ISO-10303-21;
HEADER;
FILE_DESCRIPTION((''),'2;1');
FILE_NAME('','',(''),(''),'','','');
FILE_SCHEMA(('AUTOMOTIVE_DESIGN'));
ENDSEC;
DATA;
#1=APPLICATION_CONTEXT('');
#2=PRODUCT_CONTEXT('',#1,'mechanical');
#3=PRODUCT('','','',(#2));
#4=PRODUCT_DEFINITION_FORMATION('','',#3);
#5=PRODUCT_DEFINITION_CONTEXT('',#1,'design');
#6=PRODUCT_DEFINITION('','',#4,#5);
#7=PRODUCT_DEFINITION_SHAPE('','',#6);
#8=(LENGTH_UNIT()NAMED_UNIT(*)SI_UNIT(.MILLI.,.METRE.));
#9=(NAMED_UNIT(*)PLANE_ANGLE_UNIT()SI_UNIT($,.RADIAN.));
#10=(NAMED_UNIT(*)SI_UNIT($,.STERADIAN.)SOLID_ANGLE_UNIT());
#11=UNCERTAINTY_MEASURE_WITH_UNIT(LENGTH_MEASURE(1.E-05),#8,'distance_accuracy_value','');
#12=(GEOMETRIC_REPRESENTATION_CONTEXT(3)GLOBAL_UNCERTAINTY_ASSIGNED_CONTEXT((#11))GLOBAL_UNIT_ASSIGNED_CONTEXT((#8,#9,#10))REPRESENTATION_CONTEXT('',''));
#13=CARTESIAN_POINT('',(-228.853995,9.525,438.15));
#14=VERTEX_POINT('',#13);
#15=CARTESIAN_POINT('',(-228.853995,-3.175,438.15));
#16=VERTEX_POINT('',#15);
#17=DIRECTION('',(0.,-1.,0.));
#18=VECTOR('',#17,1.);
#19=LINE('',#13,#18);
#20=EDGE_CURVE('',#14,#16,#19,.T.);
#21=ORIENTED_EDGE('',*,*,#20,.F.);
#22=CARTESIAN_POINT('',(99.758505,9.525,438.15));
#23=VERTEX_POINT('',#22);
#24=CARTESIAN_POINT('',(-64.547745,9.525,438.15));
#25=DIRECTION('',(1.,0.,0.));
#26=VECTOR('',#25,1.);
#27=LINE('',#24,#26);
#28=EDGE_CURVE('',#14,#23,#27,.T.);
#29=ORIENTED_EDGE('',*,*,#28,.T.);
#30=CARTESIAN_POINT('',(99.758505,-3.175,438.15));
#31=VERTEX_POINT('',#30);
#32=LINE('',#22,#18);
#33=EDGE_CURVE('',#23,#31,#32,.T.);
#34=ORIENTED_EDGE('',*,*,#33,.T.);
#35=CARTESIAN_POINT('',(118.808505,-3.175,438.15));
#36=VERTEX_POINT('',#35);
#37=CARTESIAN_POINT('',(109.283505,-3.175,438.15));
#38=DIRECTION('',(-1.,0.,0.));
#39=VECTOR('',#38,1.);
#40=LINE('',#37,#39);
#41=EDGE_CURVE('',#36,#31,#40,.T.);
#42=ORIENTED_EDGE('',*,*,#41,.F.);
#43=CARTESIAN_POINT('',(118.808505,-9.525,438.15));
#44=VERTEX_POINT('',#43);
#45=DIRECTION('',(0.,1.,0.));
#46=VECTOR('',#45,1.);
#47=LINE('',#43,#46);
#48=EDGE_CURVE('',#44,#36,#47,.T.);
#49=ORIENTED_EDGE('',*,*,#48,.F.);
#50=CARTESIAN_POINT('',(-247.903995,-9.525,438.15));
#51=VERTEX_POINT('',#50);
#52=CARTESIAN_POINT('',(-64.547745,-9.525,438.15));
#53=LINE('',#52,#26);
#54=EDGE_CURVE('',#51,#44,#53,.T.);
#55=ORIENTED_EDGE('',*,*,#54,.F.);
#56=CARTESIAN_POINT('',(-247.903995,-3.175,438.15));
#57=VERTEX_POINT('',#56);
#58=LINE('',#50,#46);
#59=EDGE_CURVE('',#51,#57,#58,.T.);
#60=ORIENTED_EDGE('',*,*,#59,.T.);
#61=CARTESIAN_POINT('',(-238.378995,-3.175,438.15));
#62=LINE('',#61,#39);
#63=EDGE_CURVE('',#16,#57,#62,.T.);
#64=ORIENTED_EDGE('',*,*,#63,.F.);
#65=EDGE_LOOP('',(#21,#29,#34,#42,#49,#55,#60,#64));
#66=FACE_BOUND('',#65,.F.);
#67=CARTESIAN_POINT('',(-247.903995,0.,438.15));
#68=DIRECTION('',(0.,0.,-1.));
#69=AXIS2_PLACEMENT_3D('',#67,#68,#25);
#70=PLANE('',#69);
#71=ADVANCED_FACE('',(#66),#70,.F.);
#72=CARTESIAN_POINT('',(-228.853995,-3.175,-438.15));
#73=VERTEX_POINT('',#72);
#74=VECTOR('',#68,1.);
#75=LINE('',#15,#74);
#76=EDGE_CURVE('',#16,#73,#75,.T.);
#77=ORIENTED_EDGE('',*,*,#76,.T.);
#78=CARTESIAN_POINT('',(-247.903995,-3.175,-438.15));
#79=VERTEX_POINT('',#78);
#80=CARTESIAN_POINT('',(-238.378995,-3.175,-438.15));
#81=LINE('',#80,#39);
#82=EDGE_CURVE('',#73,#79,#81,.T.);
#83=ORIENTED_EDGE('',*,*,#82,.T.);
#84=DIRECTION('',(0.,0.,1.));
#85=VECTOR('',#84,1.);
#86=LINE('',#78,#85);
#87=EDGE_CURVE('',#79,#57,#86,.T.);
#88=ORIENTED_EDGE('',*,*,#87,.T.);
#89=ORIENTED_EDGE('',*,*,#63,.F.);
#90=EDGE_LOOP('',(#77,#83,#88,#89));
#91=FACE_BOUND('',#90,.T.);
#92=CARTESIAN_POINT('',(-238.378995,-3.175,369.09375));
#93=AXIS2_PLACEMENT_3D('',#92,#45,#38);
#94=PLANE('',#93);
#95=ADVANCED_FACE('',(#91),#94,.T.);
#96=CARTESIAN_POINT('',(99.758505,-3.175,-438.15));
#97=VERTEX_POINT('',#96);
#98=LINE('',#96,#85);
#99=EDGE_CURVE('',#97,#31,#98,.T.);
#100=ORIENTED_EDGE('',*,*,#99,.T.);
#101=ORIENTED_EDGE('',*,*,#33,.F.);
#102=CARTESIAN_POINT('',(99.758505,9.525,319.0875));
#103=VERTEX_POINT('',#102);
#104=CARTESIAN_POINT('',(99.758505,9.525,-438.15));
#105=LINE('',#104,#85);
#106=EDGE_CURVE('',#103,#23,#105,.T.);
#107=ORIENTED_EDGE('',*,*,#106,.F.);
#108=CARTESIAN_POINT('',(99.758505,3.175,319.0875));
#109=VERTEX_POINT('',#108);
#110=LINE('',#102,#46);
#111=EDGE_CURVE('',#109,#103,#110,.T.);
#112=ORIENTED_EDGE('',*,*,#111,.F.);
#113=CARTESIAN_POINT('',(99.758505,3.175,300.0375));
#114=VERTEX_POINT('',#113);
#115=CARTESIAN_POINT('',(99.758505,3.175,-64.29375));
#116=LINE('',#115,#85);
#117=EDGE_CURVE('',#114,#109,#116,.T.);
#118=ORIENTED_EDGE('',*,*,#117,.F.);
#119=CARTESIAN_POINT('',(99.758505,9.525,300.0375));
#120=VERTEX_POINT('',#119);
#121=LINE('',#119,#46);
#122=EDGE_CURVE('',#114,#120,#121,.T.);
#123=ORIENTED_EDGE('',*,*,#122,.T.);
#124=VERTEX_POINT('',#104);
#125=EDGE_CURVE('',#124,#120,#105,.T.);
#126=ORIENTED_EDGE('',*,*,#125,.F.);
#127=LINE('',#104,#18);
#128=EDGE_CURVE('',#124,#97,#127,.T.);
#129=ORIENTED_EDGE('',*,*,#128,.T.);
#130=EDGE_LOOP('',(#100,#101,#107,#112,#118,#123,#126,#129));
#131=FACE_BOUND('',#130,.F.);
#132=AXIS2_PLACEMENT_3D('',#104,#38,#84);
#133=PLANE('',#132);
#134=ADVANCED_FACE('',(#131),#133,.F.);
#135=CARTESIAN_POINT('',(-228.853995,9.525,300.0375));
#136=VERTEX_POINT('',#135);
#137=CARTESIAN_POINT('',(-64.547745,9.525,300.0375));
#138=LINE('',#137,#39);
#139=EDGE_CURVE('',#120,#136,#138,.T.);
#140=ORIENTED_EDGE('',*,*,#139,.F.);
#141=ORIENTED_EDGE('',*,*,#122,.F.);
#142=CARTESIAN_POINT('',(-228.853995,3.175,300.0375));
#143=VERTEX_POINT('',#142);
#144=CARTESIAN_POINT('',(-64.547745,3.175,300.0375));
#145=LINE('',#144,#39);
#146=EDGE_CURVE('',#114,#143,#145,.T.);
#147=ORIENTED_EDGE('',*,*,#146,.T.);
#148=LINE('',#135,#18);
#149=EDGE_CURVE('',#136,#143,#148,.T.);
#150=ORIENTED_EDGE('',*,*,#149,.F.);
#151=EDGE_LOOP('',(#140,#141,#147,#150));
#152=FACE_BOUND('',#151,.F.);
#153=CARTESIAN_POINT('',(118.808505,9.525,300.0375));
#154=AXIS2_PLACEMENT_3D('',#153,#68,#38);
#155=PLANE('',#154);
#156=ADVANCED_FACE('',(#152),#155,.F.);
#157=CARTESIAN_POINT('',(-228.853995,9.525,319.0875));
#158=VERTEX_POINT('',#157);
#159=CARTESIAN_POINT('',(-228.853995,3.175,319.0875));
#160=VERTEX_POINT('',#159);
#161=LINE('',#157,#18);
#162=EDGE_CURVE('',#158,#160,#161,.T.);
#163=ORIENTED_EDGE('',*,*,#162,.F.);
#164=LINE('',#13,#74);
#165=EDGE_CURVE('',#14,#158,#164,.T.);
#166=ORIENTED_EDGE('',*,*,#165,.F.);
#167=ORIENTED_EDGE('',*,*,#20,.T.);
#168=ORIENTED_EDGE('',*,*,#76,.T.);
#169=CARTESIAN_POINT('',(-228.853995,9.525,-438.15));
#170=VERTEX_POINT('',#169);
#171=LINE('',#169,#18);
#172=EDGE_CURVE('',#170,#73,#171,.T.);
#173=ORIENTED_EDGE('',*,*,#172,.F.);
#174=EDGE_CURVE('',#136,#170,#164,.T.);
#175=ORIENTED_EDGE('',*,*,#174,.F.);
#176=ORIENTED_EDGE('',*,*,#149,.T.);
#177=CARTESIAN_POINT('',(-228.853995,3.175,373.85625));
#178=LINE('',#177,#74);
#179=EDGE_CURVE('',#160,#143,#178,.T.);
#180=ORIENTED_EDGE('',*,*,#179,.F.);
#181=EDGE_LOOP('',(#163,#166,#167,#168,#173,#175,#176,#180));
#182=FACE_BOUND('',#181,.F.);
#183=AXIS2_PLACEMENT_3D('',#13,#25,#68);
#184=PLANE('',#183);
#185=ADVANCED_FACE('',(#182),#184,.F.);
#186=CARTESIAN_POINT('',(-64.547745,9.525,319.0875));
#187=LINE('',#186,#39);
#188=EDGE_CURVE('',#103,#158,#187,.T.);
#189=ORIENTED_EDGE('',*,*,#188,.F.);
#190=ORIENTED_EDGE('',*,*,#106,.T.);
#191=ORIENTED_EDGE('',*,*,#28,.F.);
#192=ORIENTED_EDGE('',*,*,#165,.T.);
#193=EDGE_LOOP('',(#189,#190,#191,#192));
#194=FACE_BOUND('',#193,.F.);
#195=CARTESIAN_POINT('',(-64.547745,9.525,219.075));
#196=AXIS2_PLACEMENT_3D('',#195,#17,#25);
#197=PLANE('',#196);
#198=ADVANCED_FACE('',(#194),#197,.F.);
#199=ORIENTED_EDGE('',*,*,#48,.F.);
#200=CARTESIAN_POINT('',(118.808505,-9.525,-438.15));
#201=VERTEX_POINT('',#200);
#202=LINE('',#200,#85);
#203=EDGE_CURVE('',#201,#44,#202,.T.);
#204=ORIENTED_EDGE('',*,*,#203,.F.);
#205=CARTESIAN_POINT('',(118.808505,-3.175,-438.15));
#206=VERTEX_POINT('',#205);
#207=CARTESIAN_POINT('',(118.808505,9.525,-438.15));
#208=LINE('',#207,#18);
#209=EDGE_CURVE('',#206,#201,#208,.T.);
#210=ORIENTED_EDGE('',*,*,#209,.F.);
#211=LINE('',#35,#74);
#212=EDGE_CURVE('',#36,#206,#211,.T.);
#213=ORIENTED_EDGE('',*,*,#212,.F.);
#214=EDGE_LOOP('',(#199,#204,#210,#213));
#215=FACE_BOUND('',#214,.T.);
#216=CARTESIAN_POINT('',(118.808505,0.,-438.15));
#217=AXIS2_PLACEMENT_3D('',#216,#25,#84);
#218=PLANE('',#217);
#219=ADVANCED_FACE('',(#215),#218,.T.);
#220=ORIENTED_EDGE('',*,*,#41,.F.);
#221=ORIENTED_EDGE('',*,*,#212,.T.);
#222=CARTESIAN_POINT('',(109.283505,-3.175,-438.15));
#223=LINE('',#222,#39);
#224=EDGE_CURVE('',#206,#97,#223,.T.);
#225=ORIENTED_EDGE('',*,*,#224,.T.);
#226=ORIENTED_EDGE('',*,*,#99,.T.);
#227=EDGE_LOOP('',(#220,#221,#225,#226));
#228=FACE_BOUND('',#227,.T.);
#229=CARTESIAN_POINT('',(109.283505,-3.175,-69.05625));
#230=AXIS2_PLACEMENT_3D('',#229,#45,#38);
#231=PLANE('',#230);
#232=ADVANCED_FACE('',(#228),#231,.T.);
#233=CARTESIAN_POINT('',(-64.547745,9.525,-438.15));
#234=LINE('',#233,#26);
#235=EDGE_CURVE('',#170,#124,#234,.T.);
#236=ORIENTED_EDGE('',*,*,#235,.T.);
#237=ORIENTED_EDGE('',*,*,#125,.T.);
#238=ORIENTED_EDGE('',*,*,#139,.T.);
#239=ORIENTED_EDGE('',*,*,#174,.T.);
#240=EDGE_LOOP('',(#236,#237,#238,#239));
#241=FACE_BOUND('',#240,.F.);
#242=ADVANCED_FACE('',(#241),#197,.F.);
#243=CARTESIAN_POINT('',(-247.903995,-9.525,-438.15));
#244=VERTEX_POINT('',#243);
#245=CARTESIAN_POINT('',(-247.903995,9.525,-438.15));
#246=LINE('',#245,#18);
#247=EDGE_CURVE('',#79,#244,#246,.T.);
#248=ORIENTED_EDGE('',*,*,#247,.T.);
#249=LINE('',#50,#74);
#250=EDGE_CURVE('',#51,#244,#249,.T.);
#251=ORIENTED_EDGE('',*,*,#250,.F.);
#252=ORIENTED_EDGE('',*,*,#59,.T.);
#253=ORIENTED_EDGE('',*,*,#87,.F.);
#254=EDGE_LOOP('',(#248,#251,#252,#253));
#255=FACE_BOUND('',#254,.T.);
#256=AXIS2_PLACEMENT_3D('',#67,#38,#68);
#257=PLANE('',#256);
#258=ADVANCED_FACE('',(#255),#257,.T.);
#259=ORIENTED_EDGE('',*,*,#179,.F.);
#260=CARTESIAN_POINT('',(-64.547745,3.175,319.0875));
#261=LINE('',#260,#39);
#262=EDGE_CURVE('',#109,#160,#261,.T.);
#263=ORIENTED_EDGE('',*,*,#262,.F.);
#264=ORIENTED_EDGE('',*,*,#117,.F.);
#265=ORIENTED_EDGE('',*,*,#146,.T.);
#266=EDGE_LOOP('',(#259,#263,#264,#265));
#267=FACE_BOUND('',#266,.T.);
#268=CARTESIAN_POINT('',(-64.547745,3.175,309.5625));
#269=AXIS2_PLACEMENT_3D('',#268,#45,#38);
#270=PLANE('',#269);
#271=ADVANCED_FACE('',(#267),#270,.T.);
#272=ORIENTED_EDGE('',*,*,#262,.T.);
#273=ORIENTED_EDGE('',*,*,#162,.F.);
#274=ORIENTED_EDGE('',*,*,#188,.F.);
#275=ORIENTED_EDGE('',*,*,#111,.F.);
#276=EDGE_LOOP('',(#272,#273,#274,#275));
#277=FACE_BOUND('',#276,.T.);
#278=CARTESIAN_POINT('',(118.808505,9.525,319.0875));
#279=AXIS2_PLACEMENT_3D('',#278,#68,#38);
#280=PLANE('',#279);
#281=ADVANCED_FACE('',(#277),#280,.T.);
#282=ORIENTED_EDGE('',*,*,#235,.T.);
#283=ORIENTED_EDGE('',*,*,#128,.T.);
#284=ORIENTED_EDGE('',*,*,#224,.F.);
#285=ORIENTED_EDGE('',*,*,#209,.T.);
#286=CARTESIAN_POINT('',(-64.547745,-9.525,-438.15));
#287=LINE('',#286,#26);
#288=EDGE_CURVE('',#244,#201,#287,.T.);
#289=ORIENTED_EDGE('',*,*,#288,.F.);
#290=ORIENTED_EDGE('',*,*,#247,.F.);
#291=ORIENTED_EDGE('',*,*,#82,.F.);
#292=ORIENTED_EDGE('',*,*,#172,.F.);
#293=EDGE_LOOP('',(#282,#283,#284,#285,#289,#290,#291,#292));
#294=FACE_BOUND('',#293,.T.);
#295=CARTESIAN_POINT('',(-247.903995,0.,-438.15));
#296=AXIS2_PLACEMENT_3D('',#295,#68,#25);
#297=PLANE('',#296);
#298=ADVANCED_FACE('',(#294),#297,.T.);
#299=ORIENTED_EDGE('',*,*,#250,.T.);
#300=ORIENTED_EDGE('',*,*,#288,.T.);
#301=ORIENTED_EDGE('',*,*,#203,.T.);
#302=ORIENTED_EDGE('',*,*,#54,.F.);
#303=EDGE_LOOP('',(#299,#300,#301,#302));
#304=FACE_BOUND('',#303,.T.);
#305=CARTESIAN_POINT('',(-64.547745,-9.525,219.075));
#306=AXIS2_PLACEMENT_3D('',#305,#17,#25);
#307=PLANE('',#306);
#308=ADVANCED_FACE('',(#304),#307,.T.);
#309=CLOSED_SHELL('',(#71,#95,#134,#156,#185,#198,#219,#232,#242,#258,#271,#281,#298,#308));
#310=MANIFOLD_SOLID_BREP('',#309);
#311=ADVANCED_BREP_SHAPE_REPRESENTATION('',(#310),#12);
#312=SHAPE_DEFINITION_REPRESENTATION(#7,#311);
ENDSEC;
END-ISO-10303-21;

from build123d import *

# Parameters (mm, degrees)
F0_W     = 366.7125
F0_H     = 438.15
F1_DEPTH = 9.525
F2_W     = 366.7125
F2_H     = 19.05
F3_DEPTH = 6.35
F4_W     = 19.05
F4_H     = 738.1875
F4_H_2   = 138.1125
F5_DEPTH = 12.7


with BuildPart() as f1:
    # F0 (on Front) → F1 (new body, symmetric)
    with BuildSketch(Plane.XZ):
        with Locations((-64.5477453259, 219.075)):
            Rectangle(F0_W, F0_H)
        with Locations((-64.5477453259, -219.075)):
            Rectangle(F0_W, F0_H)
    extrude(amount=F1_DEPTH, both=True)

    # F2 (on face) → F3 (cut)
    with BuildSketch(Plane(origin=(0, 9.525, 0), x_dir=(-1, 0, 0), z_dir=(0, 1, 0))):
        with Locations((64.5477453259, 309.5625)):
            Rectangle(F2_W, F2_H)
    extrude(amount=-F3_DEPTH, mode=Mode.SUBTRACT)

    # F4 (on face) → F5 (cut)
    with BuildSketch(Plane(origin=(0, 9.525, 0), x_dir=(-1, 0, 0), z_dir=(0, 1, 0))):
        with Locations((-109.2835046741, -69.05625)):
            Rectangle(F4_W, F4_H)
        with Locations((-109.2835046741, 369.09375)):
            Rectangle(F4_W, F4_H_2)
        with Locations((238.3789953259, 369.09375)):
            Rectangle(F4_W, F4_H_2)
        with Locations((238.3789953259, -69.05625)):
            Rectangle(F4_W, F4_H)
    extrude(amount=-F5_DEPTH, mode=Mode.SUBTRACT)


solid = f1.part
